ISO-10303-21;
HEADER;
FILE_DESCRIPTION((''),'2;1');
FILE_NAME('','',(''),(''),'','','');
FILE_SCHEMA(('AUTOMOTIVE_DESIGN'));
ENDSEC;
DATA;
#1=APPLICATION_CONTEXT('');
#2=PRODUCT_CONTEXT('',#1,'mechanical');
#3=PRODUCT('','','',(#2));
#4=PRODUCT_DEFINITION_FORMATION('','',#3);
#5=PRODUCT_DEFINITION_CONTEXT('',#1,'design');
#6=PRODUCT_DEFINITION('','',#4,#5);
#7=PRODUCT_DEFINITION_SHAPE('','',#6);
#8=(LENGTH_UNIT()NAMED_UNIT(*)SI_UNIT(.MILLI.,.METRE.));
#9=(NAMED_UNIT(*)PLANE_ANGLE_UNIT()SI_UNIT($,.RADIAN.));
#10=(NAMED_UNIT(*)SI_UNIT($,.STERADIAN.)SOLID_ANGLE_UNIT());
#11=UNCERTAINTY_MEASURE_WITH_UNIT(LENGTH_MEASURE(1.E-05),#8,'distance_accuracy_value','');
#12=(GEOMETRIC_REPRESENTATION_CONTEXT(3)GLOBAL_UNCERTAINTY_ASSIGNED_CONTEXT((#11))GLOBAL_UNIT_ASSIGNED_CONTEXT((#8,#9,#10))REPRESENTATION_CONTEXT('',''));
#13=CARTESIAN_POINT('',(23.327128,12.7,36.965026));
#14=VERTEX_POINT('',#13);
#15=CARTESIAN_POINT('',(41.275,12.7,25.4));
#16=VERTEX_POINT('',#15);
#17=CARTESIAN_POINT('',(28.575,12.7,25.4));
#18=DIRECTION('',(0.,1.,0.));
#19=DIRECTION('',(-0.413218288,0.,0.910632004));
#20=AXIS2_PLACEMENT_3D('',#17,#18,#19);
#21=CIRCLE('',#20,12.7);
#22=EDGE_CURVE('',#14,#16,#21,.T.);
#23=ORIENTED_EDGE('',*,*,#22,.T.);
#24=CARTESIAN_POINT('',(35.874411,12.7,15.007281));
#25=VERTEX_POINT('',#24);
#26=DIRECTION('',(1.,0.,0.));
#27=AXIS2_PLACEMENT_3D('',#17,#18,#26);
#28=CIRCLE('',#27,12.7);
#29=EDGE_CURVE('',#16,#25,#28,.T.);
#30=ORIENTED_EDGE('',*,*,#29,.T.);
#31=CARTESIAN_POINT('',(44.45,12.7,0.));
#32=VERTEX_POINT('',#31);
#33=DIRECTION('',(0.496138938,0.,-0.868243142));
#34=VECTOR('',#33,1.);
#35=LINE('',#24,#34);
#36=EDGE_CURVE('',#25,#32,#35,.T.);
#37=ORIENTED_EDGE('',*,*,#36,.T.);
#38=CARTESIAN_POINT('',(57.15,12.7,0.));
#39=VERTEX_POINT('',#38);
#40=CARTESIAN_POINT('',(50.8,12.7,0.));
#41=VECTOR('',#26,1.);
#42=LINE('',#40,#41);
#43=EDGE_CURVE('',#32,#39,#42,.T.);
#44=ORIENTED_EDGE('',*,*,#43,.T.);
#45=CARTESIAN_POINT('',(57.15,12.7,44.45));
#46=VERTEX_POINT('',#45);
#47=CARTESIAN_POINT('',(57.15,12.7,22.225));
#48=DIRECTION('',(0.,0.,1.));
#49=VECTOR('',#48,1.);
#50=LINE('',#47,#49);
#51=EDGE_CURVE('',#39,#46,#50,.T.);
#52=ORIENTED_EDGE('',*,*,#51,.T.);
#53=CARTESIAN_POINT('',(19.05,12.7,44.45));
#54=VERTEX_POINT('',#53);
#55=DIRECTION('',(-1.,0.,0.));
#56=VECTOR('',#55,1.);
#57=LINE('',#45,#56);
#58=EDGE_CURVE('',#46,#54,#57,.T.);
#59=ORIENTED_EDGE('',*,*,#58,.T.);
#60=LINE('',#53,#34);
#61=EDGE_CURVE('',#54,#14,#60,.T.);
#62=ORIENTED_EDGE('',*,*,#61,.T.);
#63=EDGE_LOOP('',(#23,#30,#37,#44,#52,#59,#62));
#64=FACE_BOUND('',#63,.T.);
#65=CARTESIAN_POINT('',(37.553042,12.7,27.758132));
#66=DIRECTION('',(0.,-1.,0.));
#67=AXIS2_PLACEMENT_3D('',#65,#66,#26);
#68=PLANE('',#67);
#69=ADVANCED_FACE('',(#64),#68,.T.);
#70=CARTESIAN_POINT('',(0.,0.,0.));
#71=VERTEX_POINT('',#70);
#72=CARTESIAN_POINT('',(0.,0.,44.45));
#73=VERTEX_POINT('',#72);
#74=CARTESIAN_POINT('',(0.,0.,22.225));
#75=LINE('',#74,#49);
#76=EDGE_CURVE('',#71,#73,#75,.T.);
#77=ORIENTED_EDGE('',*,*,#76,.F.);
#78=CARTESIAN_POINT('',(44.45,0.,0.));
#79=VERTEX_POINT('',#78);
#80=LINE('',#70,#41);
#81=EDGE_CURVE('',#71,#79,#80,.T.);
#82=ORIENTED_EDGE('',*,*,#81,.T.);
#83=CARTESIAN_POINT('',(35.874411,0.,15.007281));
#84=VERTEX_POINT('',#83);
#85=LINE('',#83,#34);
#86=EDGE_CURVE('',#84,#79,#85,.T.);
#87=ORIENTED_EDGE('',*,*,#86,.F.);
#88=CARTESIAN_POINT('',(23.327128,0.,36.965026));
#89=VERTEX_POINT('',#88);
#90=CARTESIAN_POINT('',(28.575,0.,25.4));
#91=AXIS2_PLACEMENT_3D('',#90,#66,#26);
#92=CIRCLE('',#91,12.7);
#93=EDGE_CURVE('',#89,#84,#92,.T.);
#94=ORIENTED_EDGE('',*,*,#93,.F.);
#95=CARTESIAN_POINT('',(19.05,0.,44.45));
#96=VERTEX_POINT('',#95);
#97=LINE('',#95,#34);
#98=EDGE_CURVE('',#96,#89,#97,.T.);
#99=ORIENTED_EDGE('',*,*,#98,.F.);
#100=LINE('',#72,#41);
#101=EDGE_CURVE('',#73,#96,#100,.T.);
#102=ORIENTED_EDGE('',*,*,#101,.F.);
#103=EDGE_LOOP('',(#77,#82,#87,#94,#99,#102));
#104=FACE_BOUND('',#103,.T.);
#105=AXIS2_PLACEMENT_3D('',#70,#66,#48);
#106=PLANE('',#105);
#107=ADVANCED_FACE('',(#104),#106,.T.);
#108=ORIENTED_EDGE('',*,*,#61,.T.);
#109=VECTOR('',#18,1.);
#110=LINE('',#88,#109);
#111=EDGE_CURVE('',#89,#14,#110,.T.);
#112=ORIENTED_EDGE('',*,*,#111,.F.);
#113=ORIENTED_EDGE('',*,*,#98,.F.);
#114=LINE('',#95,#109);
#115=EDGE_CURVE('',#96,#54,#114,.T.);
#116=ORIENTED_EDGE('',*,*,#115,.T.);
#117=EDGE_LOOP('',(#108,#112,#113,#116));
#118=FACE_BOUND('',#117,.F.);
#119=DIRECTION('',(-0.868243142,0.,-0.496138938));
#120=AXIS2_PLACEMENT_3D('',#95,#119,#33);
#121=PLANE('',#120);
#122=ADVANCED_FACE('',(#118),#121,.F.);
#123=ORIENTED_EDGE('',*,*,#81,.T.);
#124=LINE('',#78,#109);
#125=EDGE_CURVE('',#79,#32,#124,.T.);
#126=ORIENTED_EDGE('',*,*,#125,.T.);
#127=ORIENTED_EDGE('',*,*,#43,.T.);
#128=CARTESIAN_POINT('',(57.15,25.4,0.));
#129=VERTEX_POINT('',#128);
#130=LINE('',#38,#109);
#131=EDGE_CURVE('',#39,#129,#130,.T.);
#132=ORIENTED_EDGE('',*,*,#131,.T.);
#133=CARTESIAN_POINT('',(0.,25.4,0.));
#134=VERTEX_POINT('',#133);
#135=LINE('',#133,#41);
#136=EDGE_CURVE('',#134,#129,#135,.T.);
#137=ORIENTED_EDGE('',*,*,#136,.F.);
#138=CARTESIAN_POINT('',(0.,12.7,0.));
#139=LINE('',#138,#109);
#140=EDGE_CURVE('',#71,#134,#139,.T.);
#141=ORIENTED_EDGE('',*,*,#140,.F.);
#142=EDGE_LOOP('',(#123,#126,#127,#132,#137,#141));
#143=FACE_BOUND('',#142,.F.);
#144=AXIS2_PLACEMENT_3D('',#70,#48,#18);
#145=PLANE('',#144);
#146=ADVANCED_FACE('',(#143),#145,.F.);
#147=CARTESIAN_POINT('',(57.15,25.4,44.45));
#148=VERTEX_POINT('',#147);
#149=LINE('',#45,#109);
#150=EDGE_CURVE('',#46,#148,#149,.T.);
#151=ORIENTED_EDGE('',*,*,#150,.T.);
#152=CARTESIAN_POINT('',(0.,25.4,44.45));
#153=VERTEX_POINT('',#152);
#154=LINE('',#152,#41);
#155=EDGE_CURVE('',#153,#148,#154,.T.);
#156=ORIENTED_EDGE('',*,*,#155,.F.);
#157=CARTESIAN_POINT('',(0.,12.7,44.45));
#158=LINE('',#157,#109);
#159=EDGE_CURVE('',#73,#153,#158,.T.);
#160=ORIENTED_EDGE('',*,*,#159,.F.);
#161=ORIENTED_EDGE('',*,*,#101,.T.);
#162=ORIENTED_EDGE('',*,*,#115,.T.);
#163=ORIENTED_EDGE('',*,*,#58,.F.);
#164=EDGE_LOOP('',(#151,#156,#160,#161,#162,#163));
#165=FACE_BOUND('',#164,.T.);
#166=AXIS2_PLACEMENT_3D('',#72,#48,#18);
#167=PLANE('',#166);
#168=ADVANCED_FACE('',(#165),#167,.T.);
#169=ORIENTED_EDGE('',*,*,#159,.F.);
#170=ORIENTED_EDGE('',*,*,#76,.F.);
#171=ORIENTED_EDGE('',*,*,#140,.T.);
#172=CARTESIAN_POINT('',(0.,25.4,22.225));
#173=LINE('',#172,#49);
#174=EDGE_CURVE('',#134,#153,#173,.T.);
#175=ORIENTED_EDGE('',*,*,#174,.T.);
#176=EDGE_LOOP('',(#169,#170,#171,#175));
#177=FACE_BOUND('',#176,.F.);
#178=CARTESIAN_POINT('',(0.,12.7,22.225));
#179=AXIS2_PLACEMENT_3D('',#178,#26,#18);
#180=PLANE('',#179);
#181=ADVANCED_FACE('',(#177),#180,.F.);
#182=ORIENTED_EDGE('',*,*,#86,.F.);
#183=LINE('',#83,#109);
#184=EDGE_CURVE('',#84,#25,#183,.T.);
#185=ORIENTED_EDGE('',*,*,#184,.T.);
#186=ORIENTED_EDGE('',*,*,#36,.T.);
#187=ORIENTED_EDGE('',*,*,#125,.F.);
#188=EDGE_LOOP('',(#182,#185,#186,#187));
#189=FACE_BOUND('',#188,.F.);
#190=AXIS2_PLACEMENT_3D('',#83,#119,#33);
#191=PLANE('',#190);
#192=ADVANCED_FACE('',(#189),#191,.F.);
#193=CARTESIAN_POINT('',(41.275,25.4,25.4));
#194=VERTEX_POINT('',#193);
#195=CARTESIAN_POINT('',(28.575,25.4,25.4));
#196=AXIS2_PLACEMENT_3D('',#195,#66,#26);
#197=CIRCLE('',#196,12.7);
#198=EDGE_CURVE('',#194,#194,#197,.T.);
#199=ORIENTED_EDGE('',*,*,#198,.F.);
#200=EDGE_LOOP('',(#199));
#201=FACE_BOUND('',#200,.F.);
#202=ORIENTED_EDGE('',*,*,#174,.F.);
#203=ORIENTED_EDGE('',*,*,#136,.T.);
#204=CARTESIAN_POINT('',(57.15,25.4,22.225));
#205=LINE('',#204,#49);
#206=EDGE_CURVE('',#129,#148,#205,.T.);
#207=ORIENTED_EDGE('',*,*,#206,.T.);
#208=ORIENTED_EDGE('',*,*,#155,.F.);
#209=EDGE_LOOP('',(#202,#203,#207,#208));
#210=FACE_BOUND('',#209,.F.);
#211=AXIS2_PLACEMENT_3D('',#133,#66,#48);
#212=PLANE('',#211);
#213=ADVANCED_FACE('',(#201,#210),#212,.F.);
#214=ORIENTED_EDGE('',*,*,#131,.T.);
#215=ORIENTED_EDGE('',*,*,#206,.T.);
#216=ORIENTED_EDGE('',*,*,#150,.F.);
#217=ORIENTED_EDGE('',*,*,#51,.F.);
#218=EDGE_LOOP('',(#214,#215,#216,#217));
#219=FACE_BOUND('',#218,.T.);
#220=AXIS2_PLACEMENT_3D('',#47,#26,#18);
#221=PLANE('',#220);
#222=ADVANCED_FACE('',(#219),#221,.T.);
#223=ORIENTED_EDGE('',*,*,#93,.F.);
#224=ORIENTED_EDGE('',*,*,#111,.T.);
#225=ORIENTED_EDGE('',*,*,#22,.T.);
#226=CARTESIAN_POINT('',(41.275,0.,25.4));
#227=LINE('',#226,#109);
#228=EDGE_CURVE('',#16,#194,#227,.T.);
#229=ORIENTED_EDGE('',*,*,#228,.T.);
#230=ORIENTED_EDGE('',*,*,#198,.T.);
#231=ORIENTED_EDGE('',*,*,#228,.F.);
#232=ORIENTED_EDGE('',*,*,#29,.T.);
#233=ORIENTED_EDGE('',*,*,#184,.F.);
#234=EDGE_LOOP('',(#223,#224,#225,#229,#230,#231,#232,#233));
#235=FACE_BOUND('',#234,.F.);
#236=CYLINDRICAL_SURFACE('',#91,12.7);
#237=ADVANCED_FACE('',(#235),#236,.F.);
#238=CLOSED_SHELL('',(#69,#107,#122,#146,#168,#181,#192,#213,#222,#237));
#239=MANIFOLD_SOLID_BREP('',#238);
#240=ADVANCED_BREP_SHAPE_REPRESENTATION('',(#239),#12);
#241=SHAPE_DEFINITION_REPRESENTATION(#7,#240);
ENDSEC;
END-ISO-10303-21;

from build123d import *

# Parameters (mm, degrees)
F0_W     = 25.4
F0_H     = 44.45
F1_DEPTH = 57.15
F2_R     = 12.7
F3_DEPTH = 25.4
F4_W     = 12.7
F4_H     = 44.45
F5_DEPTH = 12.7


with BuildPart() as f1:
    # F0 (on Right) → F1 (new body)
    with BuildSketch(Plane.YZ):
        with Locations((12.7, 22.225)):
            Rectangle(F0_W, F0_H)
    extrude(amount=F1_DEPTH)

    # F2 (on face) → F3 (cut)
    with BuildSketch(Plane.XZ):
        with Locations((28.575, 25.4)):
            Circle(F2_R)
    extrude(amount=-F3_DEPTH, mode=Mode.SUBTRACT)

    # F4 (on face) → F5 (cut)
    with BuildSketch(Plane.XZ):
        with BuildLine():
            Line((44.45, 0), (44.45, 44.45))
            Line((44.45, 44.45), (19.05, 44.45))
            Line((19.05, 44.45), (23.3271277432, 36.9650264494))
            ThreePointArc((23.3271277432, 36.9650264494), (35.4540269057, 36.0756259222), (41.275, 25.4))
            ThreePointArc((41.275, 25.4), (39.8442616467, 19.5439141111), (35.8744107184, 15.0072812429))
            Line((35.8744107184, 15.0072812429), (44.45, 0))
        make_face()
        with Locations((50.8, 22.225)):
            Rectangle(F4_W, F4_H)
    extrude(amount=-F5_DEPTH, mode=Mode.SUBTRACT)


solid = f1.part
